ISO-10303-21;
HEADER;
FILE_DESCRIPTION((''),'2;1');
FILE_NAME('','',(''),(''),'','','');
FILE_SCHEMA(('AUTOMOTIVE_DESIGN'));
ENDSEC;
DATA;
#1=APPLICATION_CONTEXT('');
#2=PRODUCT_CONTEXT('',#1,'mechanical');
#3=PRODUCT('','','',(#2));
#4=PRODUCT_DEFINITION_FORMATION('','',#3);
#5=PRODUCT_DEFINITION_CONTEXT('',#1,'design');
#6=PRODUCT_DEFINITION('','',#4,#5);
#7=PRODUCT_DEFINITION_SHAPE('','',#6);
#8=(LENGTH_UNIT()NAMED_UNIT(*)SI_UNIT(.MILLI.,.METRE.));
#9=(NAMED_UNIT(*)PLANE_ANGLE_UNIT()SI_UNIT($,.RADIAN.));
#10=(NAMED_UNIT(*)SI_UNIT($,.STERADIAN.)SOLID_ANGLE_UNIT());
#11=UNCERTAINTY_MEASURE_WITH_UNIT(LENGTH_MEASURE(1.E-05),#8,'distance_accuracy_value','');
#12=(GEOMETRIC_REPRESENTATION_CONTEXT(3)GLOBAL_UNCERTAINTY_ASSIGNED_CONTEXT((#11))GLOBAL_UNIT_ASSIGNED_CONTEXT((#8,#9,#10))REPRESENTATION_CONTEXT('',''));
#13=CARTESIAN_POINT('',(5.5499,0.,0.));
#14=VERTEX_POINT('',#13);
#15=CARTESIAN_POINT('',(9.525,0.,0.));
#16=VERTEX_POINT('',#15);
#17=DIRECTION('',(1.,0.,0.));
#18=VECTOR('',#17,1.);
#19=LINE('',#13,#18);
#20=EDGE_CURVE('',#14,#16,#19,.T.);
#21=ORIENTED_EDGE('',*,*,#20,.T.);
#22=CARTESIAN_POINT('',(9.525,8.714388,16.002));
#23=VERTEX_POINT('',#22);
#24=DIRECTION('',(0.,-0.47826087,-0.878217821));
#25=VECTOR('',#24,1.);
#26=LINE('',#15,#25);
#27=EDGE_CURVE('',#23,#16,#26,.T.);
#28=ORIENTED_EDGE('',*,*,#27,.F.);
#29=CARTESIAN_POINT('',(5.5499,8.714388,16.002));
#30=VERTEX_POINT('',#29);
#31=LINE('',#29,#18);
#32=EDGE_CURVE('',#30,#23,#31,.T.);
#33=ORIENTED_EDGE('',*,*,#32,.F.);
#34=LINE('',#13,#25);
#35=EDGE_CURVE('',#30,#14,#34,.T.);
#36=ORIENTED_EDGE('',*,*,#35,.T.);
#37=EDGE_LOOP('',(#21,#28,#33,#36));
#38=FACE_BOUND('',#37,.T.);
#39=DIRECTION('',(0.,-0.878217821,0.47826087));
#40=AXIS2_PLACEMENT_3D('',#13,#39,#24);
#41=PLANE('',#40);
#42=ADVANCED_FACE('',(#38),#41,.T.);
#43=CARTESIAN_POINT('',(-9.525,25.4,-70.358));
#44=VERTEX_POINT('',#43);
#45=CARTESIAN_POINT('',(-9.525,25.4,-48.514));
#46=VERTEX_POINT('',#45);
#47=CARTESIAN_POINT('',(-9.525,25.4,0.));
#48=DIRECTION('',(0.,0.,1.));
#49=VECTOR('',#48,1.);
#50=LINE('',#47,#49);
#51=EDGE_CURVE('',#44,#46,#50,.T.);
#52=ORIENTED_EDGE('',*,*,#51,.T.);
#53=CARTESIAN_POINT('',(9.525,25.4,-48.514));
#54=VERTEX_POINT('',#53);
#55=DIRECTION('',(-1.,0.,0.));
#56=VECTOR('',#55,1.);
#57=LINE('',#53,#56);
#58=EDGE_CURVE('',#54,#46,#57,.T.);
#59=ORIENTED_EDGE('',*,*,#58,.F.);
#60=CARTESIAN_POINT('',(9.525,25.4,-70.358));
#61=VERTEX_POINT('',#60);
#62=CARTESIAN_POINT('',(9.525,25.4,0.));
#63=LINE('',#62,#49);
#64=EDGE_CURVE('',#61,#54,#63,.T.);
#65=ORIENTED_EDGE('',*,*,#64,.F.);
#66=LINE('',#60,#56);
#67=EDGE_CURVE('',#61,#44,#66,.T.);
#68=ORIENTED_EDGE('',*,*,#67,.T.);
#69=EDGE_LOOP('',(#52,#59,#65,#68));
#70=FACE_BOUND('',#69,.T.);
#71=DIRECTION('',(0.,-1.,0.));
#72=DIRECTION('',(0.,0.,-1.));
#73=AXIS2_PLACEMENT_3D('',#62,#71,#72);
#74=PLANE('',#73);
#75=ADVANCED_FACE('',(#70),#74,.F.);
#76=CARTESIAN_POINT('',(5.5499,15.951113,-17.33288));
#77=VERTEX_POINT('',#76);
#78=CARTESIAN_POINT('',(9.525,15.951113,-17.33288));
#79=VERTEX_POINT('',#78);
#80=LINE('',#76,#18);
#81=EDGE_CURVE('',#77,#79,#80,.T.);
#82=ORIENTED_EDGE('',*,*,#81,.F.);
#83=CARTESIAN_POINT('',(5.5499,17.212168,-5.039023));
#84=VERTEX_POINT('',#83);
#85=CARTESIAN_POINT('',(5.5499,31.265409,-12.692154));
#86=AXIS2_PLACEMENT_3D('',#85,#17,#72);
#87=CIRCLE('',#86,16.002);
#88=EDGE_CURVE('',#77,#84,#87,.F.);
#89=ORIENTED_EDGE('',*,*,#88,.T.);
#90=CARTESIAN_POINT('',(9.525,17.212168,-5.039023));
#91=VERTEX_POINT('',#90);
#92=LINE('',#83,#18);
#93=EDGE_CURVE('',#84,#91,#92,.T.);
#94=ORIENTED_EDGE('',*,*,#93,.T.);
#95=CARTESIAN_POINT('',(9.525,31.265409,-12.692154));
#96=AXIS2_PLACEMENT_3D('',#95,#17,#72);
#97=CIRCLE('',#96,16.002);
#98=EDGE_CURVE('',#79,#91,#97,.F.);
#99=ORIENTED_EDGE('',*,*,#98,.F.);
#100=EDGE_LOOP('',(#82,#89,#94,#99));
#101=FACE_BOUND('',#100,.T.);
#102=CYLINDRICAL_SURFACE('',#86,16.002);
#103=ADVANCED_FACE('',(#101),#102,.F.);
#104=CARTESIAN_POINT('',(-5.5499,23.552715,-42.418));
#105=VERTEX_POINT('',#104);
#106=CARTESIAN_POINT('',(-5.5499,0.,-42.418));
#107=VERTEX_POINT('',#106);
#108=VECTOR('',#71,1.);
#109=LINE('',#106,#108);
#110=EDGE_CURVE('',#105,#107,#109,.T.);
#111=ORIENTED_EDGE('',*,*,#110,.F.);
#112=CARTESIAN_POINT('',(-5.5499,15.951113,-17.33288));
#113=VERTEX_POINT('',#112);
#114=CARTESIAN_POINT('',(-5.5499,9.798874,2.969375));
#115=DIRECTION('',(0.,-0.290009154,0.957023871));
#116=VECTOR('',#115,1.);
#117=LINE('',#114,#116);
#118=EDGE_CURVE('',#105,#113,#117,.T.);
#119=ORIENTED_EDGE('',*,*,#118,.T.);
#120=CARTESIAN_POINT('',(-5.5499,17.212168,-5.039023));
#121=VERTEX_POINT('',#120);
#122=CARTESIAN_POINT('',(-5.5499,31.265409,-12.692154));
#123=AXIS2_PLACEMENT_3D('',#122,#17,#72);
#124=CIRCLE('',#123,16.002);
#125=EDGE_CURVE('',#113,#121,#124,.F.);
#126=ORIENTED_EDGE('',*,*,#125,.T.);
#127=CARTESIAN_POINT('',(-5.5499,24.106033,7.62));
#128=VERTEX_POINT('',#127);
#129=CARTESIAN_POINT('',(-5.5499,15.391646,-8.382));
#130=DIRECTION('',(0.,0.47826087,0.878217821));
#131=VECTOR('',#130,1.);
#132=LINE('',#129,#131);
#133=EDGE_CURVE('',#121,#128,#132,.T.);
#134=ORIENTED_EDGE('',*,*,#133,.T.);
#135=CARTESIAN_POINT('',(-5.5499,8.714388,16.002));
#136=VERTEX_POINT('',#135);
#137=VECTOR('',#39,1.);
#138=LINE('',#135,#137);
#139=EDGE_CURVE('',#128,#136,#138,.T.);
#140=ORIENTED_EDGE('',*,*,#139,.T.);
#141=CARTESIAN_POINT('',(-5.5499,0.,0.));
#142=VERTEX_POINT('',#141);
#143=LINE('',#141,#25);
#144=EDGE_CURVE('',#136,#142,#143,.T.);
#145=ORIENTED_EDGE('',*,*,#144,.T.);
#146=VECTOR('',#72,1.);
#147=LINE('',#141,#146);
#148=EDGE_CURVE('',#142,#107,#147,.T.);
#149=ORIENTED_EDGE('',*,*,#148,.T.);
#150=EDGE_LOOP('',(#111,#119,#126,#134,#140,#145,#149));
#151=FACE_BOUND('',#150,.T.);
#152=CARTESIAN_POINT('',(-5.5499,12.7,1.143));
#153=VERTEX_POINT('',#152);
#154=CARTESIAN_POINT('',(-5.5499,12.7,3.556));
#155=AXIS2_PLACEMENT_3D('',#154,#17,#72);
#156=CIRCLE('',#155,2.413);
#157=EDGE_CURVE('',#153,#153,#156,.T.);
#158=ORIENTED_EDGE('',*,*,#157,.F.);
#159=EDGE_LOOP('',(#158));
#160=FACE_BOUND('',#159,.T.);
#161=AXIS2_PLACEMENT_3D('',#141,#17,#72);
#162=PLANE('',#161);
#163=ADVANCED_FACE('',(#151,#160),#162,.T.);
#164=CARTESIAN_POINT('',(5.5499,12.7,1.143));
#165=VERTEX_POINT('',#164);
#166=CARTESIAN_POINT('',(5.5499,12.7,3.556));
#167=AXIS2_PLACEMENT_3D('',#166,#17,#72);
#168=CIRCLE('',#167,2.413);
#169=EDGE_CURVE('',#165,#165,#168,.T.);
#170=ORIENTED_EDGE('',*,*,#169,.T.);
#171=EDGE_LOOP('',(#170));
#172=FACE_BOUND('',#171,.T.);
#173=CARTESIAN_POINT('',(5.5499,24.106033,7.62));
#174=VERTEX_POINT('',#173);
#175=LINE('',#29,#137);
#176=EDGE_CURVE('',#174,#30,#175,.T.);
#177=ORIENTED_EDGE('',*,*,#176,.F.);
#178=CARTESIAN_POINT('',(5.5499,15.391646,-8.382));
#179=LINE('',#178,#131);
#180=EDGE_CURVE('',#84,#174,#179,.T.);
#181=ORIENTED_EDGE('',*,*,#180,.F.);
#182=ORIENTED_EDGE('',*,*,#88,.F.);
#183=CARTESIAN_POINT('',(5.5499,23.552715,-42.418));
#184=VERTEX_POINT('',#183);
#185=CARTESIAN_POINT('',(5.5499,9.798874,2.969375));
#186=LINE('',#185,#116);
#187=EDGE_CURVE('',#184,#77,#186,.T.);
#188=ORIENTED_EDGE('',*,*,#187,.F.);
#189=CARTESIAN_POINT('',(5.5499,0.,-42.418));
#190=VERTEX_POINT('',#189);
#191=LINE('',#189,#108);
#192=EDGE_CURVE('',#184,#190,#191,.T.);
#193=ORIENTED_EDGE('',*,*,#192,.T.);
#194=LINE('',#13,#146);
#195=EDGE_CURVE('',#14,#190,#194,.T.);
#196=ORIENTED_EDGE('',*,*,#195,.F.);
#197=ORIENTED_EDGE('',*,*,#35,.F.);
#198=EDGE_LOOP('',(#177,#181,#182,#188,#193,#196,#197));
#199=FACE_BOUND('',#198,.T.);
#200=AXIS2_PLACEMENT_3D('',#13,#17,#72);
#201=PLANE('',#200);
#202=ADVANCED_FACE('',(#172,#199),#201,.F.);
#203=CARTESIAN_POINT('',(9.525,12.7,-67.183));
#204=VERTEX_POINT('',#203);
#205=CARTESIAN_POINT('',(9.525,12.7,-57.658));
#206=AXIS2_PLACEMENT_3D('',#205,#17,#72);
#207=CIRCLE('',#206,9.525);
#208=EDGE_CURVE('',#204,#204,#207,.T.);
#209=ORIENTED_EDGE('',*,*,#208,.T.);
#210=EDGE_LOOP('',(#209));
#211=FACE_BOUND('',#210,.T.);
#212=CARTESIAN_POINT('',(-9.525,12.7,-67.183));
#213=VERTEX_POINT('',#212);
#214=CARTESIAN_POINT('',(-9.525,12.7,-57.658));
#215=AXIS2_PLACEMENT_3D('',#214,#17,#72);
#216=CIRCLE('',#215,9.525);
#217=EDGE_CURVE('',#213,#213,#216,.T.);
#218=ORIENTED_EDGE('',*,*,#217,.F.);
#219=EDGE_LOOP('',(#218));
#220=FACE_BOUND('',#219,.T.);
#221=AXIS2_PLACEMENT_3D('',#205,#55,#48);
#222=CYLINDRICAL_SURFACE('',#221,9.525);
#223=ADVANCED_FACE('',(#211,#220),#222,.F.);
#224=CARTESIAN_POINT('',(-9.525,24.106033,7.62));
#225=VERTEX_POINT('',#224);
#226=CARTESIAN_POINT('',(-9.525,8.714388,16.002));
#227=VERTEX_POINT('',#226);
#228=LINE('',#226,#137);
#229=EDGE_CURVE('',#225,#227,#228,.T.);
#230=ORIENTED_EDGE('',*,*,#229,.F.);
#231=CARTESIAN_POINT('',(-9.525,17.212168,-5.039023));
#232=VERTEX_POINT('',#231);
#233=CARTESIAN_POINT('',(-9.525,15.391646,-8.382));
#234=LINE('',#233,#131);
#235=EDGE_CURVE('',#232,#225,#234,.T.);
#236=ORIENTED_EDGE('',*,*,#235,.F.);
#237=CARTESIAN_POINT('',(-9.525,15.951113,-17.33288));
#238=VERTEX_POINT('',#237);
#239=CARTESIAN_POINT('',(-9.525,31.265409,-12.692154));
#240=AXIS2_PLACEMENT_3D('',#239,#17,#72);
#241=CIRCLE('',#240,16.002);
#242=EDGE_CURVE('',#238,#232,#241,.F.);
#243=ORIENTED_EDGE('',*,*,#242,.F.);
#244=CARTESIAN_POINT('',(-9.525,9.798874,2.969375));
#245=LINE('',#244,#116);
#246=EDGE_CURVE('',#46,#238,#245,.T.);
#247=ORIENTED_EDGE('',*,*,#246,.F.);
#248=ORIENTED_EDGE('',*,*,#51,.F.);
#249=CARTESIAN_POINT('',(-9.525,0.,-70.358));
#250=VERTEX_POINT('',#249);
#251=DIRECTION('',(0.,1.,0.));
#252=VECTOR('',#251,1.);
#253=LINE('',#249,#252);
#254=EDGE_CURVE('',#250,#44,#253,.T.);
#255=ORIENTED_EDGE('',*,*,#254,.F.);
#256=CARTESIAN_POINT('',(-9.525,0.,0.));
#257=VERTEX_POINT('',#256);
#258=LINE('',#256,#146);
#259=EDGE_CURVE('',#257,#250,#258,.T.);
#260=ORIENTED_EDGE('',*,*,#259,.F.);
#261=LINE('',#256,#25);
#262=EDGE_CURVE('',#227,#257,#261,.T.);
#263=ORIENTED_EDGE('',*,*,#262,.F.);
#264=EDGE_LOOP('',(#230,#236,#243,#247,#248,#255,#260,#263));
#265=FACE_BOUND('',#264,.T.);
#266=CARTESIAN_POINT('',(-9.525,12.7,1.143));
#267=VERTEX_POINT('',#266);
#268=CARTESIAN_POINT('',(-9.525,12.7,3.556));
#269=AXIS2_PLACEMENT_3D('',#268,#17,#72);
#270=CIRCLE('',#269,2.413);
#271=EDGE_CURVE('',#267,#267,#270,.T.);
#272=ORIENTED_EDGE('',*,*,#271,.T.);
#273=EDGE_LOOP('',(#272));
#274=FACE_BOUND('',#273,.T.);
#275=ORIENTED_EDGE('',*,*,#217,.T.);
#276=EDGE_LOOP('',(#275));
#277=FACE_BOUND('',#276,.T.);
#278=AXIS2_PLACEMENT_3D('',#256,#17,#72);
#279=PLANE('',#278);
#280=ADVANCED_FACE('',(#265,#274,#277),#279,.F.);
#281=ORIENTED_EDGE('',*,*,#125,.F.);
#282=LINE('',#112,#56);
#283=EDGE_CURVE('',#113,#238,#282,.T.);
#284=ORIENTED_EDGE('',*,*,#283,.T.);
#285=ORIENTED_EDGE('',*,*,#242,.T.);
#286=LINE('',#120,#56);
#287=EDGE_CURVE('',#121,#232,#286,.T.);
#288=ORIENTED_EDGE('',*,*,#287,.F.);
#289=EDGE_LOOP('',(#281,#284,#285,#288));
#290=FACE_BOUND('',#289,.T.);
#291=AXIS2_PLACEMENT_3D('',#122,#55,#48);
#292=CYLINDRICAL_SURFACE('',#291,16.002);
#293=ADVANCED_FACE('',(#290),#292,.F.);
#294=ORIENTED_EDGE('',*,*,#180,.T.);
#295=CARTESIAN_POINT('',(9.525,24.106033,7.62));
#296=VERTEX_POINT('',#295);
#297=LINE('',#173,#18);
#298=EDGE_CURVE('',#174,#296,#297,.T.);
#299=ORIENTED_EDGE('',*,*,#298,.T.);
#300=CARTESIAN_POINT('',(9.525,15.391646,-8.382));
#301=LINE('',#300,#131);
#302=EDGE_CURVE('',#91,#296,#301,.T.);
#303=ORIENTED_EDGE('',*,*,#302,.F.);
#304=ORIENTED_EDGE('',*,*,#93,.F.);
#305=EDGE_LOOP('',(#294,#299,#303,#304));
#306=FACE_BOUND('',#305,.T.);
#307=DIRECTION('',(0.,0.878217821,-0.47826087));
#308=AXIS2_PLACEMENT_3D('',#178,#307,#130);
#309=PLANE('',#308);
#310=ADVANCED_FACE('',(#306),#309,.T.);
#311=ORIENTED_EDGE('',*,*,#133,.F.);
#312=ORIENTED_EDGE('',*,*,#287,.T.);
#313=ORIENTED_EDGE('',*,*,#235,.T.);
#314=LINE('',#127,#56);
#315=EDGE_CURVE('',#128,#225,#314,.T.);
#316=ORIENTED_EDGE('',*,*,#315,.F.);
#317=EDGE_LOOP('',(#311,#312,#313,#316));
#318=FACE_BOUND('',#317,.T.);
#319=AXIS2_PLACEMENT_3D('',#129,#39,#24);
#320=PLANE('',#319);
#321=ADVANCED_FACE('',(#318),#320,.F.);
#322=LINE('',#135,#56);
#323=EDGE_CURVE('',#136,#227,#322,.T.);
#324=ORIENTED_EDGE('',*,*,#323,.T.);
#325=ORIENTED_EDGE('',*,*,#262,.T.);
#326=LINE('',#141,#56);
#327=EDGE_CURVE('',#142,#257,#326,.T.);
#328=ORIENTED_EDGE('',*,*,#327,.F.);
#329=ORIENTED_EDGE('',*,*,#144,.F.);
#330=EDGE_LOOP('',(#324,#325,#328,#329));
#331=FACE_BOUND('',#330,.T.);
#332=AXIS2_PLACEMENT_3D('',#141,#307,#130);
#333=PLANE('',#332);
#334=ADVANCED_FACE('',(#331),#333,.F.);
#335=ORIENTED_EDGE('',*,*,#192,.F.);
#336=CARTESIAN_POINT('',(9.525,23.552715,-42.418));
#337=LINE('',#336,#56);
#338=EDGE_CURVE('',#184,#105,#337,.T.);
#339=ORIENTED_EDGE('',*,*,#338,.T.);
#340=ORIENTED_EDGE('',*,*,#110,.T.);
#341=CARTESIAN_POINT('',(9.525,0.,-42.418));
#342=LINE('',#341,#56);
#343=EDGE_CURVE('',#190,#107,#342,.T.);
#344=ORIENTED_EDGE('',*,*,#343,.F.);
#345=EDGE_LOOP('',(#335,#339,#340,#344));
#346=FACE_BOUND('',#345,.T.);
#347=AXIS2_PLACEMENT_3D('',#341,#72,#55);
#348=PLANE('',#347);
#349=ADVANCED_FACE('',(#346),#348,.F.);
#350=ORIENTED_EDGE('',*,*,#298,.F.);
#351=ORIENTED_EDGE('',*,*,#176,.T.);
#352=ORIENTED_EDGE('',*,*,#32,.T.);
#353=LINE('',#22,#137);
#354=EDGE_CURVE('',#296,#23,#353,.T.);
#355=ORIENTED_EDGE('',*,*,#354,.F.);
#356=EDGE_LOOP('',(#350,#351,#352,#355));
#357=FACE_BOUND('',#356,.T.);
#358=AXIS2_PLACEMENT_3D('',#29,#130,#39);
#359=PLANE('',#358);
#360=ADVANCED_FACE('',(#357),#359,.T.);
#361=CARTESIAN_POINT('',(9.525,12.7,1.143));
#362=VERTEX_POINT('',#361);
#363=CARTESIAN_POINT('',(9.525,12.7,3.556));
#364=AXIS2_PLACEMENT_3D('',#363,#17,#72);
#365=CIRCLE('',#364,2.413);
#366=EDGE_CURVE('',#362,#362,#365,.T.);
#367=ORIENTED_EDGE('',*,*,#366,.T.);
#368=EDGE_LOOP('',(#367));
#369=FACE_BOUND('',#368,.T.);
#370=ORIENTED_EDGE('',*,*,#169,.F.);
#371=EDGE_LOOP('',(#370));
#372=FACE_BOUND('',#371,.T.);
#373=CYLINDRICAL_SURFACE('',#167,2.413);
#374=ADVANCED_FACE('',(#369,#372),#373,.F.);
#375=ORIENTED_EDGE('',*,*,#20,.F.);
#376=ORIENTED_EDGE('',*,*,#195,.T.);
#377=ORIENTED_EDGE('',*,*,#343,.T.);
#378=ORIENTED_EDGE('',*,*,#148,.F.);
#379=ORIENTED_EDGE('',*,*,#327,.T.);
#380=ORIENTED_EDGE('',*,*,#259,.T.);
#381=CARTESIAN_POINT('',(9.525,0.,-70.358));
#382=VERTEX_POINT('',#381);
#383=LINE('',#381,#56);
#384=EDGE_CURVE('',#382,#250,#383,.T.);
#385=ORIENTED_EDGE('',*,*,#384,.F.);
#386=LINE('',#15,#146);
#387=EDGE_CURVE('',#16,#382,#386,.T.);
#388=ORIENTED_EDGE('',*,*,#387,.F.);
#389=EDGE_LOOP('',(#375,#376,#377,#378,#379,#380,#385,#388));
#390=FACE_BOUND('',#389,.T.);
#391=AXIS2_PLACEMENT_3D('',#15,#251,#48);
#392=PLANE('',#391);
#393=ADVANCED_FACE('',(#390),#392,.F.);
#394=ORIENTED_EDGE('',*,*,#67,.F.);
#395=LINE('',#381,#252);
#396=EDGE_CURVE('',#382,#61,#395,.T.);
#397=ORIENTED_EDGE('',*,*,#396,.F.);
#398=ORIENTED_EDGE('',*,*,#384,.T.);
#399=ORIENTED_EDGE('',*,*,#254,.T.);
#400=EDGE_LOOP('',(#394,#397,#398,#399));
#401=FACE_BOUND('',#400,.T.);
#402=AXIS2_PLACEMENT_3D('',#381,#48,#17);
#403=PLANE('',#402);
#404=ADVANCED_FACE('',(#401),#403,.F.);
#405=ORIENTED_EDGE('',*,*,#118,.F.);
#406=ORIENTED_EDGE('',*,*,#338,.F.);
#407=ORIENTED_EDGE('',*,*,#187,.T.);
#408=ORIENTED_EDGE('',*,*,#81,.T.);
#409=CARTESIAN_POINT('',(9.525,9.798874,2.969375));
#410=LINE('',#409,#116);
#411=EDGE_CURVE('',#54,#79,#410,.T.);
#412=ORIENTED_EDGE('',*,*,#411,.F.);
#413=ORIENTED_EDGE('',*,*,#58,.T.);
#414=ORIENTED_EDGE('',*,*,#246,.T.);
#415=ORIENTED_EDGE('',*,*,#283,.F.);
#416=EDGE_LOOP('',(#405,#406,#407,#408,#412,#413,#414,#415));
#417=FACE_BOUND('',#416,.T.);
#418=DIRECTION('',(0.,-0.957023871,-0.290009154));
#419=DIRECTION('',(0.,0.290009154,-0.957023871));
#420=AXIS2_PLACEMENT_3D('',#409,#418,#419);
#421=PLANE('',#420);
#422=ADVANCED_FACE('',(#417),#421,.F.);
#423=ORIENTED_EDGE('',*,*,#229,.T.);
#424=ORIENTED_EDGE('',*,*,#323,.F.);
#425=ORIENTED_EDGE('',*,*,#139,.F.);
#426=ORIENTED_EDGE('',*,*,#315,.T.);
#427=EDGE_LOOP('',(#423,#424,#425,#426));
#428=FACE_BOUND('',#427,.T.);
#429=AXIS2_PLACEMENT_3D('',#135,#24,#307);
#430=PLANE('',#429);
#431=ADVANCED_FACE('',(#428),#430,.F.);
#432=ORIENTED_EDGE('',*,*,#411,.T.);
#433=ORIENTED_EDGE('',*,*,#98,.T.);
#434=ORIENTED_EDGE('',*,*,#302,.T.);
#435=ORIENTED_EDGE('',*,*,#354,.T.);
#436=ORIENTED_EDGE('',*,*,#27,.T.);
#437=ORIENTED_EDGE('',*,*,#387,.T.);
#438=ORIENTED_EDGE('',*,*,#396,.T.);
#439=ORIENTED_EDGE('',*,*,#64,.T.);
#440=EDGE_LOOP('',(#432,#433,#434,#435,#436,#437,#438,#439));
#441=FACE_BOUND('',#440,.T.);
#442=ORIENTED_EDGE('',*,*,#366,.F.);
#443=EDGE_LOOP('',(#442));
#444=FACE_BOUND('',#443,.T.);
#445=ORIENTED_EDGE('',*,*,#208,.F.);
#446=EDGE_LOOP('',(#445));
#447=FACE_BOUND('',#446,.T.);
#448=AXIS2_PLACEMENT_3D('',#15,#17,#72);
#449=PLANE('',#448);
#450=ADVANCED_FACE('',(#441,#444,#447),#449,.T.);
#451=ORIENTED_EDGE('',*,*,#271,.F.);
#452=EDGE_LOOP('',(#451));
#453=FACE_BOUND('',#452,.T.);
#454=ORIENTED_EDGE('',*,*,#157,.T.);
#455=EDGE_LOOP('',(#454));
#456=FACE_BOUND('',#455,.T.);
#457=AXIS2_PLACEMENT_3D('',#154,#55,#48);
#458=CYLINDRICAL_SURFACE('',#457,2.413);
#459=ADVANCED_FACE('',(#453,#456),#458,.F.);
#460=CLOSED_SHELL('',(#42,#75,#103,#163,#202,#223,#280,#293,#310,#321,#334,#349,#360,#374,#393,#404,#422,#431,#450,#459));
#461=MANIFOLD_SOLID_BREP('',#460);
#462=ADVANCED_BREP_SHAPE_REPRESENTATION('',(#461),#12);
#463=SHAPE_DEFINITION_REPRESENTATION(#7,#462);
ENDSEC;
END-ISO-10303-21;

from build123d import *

# Parameters (mm, degrees)
SKETCH1_R           = 9.525
BOSS_EXTRUDE1_DEPTH = 9.525
BOSS_EXTRUDE2_START = 9.525
SKETCH1_4_R         = 9.525
SKETCH1_4_R_2       = 2.413
BOSS_EXTRUDE2_DEPTH = 3.9751
BOSS_EXTRUDE3_START = -9.525
SKETCH1_5_R         = 9.525
SKETCH1_5_R_2       = 2.413
BOSS_EXTRUDE3_DEPTH = 3.9751


with BuildPart() as part:
    # Sketch1 → Boss-Extrude1 (new body, symmetric)
    with BuildSketch(Plane(origin=(0, 0, 0), x_dir=(0, 0, -1), z_dir=(1, 0, 0))):
        Polygon((42.418, 23.552715039), (42.418, 0), (70.358, 0), (70.358, 25.4), (48.514, 25.4), align=None)
        with Locations((57.658, 12.7)):
            Circle(SKETCH1_R, mode=Mode.SUBTRACT)
    extrude(amount=BOSS_EXTRUDE1_DEPTH, both=True)

    # Sketch1<4> → Boss-Extrude2 (add)
    with BuildSketch(Plane(origin=(0, 0, 0), x_dir=(0, 0, -1), z_dir=(1, 0, 0)).offset(BOSS_EXTRUDE2_START)):
        with BuildLine():
            Line((0, 0), (70.358, 0))
            Line((70.358, 0), (70.358, 25.4))
            Line((70.358, 25.4), (48.514, 25.4))
            Line((48.514, 25.4), (17.332880156, 15.95111323))
            ThreePointArc((17.332880156, 15.95111323), (11.05930066, 15.346935831), (5.039023234, 17.212167653))
            Line((5.039023234, 17.212167653), (-7.62, 24.106033067))
            Line((-7.62, 24.106033067), (-16.002, 8.71438754))
            Line((-16.002, 8.71438754), (0, 0))
        make_face()
        with Locations((57.658, 12.7)):
            Circle(SKETCH1_4_R, mode=Mode.SUBTRACT)
        with Locations((-3.556, 12.7)):
            Circle(SKETCH1_4_R_2, mode=Mode.SUBTRACT)
    extrude(amount=-BOSS_EXTRUDE2_DEPTH)

    # Sketch1<5> → Boss-Extrude3 (add)
    with BuildSketch(Plane(origin=(0, 0, 0), x_dir=(0, 0, -1), z_dir=(1, 0, 0)).offset(BOSS_EXTRUDE3_START)):
        with BuildLine():
            Line((0, 0), (70.358, 0))
            Line((70.358, 0), (70.358, 25.4))
            Line((70.358, 25.4), (48.514, 25.4))
            Line((48.514, 25.4), (17.332880156, 15.95111323))
            ThreePointArc((17.332880156, 15.95111323), (11.05930066, 15.346935831), (5.039023234, 17.212167653))
            Line((5.039023234, 17.212167653), (-7.62, 24.106033067))
            Line((-7.62, 24.106033067), (-16.002, 8.71438754))
            Line((-16.002, 8.71438754), (0, 0))
        make_face()
        with Locations((57.658, 12.7)):
            Circle(SKETCH1_5_R, mode=Mode.SUBTRACT)
        with Locations((-3.556, 12.7)):
            Circle(SKETCH1_5_R_2, mode=Mode.SUBTRACT)
    extrude(amount=BOSS_EXTRUDE3_DEPTH)


solid = part.part
